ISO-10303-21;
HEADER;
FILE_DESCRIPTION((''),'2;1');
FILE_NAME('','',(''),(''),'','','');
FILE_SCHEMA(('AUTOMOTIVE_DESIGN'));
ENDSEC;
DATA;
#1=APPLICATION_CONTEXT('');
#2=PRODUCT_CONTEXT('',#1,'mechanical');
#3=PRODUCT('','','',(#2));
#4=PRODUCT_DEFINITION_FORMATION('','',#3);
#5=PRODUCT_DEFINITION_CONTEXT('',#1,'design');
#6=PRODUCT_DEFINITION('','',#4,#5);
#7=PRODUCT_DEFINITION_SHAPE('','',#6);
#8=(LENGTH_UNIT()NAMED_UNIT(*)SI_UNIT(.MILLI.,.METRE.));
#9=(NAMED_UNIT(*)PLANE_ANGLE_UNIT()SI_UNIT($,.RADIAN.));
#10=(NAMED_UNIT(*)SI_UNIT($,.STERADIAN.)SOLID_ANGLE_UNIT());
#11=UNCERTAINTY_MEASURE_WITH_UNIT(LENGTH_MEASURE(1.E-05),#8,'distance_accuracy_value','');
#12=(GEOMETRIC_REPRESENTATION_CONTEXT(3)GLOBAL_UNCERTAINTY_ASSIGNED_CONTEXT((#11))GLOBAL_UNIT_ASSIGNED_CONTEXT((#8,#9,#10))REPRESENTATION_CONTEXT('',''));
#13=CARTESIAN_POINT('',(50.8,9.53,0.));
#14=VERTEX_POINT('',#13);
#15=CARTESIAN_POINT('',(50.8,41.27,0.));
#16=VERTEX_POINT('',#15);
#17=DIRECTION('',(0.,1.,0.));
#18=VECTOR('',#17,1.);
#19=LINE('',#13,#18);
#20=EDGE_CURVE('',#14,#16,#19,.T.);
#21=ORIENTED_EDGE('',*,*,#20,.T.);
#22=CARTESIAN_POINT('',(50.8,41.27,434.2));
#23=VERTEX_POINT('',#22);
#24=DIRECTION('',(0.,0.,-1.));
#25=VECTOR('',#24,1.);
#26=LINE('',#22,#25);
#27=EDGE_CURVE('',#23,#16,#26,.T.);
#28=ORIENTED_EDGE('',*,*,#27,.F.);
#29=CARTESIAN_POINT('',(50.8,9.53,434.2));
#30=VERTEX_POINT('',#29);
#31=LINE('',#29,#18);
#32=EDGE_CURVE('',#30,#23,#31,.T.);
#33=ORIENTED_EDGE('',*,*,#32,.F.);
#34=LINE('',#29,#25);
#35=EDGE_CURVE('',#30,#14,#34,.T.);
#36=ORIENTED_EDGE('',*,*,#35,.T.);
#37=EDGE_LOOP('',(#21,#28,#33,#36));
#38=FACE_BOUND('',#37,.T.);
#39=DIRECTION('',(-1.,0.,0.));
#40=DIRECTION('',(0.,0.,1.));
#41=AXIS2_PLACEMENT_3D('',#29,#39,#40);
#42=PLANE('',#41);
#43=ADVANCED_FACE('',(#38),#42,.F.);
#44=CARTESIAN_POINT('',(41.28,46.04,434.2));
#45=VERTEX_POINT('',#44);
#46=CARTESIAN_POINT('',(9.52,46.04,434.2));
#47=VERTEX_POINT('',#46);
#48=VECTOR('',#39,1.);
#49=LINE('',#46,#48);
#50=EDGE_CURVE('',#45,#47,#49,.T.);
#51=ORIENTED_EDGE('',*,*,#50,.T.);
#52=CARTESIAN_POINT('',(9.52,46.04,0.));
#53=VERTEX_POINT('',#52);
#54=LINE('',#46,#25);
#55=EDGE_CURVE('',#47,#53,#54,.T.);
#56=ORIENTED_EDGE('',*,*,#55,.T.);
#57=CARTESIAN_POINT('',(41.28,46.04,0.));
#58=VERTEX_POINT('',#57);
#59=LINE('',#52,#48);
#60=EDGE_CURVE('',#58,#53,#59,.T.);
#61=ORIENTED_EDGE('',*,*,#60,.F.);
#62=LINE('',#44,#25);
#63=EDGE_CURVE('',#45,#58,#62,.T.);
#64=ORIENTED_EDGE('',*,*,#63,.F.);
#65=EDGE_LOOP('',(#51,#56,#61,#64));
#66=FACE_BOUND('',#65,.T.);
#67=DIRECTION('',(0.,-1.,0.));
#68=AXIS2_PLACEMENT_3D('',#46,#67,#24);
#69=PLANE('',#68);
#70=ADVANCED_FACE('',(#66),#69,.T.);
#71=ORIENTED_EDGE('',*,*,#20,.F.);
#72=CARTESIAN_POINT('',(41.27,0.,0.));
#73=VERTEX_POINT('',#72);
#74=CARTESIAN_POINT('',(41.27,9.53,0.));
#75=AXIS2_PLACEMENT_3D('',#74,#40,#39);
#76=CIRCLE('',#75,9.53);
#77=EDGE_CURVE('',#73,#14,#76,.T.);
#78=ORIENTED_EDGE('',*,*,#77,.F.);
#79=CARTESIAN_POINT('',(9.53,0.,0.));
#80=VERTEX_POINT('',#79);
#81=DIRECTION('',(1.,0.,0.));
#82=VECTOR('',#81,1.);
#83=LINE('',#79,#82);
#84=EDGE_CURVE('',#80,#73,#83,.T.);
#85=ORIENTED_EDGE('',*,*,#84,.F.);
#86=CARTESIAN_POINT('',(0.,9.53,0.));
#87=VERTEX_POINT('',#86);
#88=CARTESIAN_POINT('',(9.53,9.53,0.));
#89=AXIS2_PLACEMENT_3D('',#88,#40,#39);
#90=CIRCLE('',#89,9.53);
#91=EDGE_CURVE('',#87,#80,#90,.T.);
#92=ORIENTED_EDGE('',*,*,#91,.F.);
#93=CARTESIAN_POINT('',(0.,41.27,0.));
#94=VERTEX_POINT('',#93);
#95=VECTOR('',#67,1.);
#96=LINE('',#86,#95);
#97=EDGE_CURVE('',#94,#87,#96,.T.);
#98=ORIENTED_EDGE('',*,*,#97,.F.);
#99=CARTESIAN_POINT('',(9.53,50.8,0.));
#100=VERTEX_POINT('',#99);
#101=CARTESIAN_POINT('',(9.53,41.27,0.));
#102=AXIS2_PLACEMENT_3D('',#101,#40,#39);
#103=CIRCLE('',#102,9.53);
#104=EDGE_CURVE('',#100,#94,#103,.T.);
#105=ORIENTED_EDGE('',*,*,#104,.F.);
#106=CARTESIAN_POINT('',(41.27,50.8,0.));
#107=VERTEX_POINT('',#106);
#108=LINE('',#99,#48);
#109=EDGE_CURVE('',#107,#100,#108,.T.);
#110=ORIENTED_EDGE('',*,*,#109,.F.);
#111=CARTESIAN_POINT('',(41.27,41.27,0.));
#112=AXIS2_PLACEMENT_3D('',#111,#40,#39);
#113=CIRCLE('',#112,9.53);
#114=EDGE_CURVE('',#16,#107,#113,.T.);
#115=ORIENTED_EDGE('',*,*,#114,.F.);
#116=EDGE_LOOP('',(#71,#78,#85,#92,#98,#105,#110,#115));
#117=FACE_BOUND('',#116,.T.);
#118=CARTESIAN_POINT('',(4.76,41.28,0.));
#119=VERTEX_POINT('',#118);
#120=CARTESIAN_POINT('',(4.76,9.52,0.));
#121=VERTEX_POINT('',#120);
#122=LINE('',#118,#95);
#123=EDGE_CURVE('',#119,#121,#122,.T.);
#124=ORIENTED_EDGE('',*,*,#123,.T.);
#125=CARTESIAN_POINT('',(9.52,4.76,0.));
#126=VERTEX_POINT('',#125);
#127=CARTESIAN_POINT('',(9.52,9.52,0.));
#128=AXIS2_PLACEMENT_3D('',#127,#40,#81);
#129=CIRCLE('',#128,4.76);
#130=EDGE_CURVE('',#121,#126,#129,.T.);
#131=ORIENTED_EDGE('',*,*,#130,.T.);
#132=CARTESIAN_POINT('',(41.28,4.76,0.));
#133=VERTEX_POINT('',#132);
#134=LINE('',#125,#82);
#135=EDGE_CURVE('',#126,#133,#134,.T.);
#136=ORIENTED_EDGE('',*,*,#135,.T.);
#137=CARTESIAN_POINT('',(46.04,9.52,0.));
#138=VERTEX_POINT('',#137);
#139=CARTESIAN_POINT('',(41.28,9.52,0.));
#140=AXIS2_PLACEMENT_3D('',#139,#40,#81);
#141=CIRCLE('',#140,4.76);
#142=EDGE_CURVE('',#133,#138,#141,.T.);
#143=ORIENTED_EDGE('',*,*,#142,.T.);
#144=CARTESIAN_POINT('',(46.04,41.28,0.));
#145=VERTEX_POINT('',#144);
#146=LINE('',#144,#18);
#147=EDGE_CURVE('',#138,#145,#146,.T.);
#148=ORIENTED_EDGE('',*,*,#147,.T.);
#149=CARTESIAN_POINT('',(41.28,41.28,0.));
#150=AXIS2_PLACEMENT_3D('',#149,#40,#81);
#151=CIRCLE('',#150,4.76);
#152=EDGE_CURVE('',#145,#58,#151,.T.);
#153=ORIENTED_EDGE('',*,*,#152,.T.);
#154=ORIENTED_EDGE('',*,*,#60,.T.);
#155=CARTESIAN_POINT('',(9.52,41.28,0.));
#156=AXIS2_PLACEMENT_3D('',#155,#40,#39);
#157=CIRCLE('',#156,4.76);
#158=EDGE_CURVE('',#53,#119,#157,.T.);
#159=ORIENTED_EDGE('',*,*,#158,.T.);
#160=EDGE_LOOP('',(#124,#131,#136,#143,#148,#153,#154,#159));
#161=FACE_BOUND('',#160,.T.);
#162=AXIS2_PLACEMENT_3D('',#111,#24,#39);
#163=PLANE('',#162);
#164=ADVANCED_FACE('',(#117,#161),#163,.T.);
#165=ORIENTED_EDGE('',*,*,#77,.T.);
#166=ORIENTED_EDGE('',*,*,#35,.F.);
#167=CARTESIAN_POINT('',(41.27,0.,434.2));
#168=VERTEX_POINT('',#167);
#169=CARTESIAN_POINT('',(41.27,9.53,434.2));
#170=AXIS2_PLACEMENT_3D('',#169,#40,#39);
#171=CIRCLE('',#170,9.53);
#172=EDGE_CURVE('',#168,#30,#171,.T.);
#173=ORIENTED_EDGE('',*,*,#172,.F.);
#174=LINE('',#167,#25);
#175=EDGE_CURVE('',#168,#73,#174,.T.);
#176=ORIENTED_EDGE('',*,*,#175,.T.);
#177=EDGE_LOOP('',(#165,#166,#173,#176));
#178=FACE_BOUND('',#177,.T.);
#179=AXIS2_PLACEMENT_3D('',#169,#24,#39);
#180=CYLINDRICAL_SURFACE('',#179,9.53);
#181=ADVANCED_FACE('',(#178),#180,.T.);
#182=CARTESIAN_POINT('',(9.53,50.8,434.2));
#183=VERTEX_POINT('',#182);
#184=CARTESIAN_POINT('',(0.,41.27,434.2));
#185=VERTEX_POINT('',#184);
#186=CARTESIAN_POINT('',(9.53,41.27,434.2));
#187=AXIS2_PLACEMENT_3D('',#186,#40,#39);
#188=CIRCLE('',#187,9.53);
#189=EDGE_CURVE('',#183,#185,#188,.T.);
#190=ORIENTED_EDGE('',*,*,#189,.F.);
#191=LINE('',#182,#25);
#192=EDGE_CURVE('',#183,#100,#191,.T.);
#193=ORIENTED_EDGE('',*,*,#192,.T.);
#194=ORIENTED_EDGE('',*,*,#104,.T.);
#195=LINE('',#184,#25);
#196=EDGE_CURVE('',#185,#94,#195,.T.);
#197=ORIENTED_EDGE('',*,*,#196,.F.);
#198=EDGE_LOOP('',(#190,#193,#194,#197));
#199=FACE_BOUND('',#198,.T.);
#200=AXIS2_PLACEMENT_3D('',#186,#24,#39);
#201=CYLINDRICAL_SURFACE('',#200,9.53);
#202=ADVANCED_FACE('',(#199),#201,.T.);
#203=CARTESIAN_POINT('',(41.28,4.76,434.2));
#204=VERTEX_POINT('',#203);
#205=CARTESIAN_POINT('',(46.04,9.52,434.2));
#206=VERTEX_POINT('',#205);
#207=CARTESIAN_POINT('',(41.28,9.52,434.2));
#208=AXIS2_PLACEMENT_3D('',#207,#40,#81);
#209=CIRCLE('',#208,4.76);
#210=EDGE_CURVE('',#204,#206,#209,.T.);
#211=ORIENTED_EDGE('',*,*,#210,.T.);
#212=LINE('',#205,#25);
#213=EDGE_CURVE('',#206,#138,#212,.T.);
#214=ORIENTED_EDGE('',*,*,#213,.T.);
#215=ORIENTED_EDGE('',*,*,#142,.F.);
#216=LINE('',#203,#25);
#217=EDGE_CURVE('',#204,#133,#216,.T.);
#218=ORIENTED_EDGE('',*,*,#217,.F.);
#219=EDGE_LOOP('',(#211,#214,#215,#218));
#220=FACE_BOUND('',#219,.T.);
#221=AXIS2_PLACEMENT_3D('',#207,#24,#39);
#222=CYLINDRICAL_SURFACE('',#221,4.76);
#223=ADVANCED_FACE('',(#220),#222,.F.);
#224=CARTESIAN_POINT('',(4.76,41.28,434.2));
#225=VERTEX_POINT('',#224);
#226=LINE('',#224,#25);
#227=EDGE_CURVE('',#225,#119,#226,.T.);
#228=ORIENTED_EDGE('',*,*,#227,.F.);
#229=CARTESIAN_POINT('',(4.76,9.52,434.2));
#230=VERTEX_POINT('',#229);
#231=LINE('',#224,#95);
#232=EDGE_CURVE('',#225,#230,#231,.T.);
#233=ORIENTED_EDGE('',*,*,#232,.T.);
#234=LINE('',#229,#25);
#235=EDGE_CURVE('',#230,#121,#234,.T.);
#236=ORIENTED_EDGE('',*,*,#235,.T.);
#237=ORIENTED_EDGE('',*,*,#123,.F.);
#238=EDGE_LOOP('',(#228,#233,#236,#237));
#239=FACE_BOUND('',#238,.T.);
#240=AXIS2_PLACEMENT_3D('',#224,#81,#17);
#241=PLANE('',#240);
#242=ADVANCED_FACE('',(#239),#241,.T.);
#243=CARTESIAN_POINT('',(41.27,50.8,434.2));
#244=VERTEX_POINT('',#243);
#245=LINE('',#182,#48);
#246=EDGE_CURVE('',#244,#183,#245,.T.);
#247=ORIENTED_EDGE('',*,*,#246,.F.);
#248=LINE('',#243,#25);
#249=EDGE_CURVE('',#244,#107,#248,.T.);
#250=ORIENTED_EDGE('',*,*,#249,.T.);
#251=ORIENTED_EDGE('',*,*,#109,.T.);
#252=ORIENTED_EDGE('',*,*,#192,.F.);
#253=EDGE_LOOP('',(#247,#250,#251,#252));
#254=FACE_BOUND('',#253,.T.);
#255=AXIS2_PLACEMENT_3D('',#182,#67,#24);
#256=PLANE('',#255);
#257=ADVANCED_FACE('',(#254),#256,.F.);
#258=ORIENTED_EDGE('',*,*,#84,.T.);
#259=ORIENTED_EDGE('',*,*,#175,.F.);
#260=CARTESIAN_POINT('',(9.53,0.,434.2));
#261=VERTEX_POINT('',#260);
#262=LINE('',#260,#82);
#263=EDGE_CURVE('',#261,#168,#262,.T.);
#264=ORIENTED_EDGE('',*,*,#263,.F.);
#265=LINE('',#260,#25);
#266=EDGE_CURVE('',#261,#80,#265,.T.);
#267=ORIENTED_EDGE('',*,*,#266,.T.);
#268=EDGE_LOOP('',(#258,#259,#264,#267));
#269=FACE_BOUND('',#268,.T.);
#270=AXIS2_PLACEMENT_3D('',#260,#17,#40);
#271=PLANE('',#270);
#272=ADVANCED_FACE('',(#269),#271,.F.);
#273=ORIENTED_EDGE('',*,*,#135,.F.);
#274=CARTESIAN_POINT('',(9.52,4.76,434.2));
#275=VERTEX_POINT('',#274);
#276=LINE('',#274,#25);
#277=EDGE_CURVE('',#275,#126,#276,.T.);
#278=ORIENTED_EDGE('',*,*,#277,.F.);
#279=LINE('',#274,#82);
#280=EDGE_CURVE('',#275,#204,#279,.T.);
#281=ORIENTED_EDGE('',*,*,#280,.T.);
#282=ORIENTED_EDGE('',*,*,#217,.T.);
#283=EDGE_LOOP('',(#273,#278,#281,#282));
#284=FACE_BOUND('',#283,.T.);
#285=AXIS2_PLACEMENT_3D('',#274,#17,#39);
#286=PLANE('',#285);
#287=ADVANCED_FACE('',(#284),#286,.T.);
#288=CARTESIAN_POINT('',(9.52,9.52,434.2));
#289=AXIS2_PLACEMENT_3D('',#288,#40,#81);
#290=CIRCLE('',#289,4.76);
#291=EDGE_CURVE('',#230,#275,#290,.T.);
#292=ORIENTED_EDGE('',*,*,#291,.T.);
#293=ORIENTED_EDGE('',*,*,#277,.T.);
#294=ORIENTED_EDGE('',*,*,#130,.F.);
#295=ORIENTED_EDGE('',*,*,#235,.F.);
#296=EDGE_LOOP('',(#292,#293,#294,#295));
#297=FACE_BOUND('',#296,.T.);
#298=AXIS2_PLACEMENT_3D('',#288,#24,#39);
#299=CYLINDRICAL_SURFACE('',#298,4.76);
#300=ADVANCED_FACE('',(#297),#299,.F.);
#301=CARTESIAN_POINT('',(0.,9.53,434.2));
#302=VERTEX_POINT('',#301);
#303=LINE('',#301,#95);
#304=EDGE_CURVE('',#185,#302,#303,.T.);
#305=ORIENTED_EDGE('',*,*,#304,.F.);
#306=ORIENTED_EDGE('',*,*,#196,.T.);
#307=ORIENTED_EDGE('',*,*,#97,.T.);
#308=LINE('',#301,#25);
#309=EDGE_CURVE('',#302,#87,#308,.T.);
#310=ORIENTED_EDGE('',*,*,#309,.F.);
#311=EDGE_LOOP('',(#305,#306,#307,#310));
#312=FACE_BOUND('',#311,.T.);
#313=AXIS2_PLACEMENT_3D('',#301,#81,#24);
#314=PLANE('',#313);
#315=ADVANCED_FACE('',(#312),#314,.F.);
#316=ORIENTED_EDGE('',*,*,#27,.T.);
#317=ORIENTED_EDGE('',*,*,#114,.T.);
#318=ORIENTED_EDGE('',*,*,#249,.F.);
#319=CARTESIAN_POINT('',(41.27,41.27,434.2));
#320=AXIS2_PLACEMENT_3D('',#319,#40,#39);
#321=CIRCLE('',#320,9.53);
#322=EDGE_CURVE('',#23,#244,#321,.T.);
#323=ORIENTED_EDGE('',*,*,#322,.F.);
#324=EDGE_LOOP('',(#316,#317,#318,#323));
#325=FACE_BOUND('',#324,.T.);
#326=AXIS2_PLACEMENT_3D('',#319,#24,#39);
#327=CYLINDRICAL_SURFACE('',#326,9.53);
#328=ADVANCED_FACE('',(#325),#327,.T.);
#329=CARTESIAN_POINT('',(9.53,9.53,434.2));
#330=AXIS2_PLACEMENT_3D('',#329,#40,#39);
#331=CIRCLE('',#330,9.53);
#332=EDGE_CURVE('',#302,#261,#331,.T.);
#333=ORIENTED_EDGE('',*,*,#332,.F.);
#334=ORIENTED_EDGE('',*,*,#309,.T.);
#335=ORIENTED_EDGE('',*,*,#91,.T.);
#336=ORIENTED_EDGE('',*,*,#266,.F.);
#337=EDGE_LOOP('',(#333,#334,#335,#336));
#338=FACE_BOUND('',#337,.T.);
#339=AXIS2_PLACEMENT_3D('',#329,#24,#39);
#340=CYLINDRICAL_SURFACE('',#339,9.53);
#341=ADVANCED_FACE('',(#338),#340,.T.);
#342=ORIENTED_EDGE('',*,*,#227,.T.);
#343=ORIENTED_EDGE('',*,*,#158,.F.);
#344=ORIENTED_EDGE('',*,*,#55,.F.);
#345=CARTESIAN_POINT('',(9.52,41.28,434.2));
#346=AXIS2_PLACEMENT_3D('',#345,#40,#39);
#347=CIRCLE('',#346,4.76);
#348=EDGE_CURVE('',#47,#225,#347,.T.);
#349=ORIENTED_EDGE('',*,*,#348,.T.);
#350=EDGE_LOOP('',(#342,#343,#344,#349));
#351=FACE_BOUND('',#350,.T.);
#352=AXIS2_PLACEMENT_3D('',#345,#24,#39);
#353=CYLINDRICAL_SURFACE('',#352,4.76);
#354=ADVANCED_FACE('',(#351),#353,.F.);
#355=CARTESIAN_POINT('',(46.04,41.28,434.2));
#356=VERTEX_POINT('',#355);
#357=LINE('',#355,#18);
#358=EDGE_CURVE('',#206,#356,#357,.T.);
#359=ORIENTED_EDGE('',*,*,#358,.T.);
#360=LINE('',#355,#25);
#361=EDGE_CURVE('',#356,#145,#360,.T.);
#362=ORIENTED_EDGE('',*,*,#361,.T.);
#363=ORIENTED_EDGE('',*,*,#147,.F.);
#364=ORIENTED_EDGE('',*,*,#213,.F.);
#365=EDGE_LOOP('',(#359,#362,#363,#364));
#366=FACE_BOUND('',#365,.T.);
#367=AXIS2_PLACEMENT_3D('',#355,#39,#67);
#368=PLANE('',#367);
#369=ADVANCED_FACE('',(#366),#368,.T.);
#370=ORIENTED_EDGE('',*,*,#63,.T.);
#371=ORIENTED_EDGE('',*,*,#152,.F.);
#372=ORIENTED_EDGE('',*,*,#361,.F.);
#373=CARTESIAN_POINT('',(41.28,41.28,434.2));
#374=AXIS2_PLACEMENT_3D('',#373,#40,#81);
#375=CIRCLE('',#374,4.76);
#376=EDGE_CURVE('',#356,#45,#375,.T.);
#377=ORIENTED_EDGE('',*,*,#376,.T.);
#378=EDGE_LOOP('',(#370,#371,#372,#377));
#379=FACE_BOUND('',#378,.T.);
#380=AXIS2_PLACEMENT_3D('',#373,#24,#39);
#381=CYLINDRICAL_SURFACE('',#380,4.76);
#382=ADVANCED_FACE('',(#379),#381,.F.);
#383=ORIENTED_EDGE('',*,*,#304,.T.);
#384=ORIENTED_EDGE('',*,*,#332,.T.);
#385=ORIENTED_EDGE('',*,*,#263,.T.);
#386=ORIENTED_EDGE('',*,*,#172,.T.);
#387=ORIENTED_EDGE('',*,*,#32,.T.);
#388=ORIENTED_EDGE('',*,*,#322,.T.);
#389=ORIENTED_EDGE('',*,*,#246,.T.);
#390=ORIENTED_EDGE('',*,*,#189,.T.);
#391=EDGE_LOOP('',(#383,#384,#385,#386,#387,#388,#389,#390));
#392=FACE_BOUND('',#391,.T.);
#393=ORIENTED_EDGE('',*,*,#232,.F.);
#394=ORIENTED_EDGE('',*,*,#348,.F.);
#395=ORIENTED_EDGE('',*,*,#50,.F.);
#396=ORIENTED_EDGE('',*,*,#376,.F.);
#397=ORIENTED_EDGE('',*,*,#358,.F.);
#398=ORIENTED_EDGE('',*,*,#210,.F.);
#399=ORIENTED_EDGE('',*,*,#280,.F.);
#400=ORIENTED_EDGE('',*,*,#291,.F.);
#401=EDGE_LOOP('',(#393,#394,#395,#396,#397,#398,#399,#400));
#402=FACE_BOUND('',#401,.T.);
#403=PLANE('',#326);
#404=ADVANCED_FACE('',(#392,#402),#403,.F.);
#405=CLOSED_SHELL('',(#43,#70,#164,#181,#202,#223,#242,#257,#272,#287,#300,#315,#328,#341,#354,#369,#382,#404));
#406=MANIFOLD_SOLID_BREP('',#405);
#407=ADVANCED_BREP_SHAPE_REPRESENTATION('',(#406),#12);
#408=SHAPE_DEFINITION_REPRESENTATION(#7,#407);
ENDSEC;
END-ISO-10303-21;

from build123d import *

# Parameters (mm, degrees)
DODANIE_WYCI_GNI_CIE1_DEPTH = 434.2


with BuildPart() as part:
    # Szkic1 → Dodanie-wyciągnięcie1 (new body)
    with BuildSketch(Plane.XY):
        with BuildLine():
            Line((9.53, 0), (41.27, 0))
            ThreePointArc((41.27, 0), (48.008727625, 2.791272375), (50.8, 9.53))
            Line((50.8, 9.53), (50.8, 41.27))
            ThreePointArc((50.8, 41.27), (48.008727625, 48.008727625), (41.27, 50.8))
            Line((41.27, 50.8), (9.53, 50.8))
            ThreePointArc((9.53, 50.8), (2.791272375, 48.008727625), (0, 41.27))
            Line((0, 41.27), (0, 9.53))
            ThreePointArc((0, 9.53), (2.791272375, 2.791272375), (9.53, 0))
        make_face()
        with BuildLine():
            Line((9.52, 46.04), (41.28, 46.04))
            ThreePointArc((41.28, 46.04), (44.645828278, 44.645828278), (46.04, 41.28))
            Line((46.04, 41.28), (46.04, 9.52))
            ThreePointArc((46.04, 9.52), (44.645828278, 6.154171722), (41.28, 4.76))
            Line((41.28, 4.76), (9.52, 4.76))
            ThreePointArc((9.52, 4.76), (6.154171722, 6.154171722), (4.76, 9.52))
            Line((4.76, 9.52), (4.76, 41.28))
            ThreePointArc((4.76, 41.28), (6.154171722, 44.645828278), (9.52, 46.04))
        make_face(mode=Mode.SUBTRACT)
    extrude(amount=DODANIE_WYCI_GNI_CIE1_DEPTH)


solid = part.part
